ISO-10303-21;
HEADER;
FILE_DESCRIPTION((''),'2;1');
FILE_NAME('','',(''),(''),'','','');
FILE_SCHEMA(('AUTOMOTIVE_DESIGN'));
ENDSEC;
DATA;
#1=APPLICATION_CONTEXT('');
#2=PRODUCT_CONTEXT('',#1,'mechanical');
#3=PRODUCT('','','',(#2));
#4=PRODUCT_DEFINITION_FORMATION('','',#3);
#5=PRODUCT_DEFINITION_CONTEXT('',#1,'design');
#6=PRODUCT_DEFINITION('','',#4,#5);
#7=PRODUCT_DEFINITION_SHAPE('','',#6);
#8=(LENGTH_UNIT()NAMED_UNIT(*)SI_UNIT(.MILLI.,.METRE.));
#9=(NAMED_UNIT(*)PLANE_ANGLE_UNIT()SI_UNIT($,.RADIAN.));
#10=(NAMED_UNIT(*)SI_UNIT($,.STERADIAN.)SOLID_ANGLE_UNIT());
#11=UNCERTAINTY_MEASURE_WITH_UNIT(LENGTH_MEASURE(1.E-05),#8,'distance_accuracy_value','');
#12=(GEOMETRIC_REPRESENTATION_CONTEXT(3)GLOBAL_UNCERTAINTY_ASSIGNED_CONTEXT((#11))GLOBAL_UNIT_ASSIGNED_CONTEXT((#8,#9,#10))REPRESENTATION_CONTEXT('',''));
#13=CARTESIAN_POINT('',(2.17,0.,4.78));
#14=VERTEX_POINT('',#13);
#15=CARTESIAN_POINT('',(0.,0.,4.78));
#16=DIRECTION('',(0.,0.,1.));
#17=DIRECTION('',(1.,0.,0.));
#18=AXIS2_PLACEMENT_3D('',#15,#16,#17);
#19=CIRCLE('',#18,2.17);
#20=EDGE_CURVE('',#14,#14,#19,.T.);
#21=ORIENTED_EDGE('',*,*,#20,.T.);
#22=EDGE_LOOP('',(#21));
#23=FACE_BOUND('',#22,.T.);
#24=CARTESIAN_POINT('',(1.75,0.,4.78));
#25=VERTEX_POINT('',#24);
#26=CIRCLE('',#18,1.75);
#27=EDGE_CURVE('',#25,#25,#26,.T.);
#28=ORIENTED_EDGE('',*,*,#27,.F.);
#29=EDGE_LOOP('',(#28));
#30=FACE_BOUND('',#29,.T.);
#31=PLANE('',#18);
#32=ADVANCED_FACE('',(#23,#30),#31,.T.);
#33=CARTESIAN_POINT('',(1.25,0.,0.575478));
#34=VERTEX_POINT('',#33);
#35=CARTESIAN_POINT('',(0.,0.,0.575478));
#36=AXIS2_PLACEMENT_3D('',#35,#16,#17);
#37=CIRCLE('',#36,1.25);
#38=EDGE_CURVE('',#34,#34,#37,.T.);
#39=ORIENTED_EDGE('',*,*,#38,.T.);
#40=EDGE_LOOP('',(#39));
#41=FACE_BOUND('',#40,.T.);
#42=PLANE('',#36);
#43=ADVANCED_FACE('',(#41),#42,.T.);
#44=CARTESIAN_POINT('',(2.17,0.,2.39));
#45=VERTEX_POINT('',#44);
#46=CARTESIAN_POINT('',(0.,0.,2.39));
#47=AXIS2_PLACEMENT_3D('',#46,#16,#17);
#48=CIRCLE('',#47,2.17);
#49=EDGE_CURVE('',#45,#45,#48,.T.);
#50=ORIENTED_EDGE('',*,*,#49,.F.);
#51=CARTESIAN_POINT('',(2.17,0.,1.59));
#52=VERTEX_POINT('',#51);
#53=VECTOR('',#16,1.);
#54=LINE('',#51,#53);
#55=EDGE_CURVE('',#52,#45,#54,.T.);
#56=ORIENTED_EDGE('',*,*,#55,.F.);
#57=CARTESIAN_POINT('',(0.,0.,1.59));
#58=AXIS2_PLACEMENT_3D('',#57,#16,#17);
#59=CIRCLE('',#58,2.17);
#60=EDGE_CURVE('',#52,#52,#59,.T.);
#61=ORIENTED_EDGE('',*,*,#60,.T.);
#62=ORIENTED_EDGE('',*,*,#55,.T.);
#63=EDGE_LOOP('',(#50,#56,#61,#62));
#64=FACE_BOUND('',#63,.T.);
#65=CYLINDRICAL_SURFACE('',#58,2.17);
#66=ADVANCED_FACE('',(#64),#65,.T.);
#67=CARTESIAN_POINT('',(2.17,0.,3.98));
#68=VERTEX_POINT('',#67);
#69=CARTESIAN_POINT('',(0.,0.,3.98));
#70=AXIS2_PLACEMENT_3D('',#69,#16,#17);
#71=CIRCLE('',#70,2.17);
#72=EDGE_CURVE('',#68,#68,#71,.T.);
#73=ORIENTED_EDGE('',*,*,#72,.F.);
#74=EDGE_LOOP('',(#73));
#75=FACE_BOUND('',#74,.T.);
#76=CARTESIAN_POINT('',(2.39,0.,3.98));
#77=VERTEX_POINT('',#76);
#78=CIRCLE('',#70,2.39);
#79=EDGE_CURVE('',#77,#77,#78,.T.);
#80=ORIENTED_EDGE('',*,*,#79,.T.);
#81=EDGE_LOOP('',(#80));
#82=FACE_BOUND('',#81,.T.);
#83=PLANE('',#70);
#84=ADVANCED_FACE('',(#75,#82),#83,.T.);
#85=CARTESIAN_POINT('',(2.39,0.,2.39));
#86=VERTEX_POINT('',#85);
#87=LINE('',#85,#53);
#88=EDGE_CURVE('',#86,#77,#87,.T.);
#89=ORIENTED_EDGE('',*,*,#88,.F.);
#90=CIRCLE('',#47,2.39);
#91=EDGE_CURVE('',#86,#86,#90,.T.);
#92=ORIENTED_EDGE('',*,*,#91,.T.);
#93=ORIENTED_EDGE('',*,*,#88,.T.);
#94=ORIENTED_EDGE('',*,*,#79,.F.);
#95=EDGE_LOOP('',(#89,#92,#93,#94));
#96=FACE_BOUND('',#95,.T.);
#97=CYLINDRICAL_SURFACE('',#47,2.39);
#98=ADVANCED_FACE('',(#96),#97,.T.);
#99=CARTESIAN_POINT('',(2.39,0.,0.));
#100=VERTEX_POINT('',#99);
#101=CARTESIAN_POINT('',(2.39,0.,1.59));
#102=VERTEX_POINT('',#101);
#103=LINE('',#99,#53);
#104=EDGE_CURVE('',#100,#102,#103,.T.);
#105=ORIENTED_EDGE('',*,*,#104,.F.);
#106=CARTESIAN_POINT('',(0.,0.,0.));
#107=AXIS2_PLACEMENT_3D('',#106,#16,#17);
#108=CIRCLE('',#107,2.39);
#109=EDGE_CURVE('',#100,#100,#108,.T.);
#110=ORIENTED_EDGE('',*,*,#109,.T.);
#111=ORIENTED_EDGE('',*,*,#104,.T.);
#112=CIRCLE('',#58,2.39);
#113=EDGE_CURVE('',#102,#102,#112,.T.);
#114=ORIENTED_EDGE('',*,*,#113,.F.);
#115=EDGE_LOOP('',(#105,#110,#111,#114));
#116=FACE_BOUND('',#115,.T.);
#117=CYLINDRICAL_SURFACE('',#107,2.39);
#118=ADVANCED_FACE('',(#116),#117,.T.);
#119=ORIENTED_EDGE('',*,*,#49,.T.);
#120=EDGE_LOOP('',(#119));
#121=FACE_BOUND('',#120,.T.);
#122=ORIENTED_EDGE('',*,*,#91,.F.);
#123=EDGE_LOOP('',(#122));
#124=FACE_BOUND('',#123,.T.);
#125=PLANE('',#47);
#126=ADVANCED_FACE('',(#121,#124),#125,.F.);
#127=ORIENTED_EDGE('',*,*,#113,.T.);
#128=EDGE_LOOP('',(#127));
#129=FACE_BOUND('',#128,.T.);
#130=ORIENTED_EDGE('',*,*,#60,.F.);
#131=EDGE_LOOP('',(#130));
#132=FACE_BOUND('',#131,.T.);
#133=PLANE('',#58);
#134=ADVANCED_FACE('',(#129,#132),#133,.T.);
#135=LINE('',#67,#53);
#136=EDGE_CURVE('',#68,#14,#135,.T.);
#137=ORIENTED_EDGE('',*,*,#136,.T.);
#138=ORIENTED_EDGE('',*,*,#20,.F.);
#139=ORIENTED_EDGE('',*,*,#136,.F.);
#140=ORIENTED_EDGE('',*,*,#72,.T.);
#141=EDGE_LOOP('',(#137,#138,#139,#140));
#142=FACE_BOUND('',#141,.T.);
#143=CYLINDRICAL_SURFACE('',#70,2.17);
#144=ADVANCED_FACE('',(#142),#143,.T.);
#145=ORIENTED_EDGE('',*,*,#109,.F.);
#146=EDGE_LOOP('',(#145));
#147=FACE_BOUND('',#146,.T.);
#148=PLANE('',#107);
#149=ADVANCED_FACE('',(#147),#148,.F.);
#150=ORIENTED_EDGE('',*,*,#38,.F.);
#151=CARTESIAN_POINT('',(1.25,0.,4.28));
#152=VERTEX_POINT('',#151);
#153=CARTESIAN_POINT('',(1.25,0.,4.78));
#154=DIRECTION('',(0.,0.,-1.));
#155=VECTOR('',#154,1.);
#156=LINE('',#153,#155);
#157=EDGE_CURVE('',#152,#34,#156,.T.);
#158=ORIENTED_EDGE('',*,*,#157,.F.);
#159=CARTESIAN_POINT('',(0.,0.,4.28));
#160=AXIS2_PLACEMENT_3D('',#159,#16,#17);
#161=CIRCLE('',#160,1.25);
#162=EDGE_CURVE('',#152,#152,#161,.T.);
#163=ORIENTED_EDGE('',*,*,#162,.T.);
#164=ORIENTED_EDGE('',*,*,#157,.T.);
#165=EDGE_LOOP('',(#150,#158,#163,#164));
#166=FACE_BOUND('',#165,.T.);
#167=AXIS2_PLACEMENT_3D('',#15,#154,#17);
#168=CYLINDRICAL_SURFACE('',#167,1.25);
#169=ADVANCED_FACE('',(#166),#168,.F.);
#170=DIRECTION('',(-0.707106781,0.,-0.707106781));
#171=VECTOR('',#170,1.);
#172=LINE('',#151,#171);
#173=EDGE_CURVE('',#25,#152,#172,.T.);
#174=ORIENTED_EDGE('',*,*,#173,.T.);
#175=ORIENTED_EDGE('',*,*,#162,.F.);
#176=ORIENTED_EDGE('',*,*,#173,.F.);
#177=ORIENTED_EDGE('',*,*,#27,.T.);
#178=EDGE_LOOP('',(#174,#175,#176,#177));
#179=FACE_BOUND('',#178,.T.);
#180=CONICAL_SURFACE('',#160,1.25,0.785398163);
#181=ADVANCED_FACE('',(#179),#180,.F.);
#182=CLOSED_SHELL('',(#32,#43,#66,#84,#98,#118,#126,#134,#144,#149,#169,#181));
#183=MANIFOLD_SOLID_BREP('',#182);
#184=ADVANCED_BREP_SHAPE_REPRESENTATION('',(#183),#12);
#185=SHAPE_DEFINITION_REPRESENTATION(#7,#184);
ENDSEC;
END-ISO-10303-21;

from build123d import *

# Parameters (mm, degrees)
F3_SIZE = 0.5


with BuildPart() as f2:
    # F0 (on Front) → F2 (revolve)
    with BuildSketch(Plane.XZ):
        Polygon((0, 0.575478), (0, 0), (2.39, 0), (2.39, 1.59), (2.17, 1.59), (2.17, 2.39), (2.39, 2.39), (2.39, 3.98), (2.17, 3.98), (2.17, 4.78), (1.25, 4.78), (1.25, 0.575478), align=None)
    revolve(axis=Axis((0, 0, 2.39), (0, 0, 1)))

    # F3
    f3_edges = [f2.edges().sort_by_distance(p)[0] for p in [
        (-1.25, 0, 4.78),
    ]]
    chamfer(f3_edges, length=F3_SIZE)


solid = f2.part
